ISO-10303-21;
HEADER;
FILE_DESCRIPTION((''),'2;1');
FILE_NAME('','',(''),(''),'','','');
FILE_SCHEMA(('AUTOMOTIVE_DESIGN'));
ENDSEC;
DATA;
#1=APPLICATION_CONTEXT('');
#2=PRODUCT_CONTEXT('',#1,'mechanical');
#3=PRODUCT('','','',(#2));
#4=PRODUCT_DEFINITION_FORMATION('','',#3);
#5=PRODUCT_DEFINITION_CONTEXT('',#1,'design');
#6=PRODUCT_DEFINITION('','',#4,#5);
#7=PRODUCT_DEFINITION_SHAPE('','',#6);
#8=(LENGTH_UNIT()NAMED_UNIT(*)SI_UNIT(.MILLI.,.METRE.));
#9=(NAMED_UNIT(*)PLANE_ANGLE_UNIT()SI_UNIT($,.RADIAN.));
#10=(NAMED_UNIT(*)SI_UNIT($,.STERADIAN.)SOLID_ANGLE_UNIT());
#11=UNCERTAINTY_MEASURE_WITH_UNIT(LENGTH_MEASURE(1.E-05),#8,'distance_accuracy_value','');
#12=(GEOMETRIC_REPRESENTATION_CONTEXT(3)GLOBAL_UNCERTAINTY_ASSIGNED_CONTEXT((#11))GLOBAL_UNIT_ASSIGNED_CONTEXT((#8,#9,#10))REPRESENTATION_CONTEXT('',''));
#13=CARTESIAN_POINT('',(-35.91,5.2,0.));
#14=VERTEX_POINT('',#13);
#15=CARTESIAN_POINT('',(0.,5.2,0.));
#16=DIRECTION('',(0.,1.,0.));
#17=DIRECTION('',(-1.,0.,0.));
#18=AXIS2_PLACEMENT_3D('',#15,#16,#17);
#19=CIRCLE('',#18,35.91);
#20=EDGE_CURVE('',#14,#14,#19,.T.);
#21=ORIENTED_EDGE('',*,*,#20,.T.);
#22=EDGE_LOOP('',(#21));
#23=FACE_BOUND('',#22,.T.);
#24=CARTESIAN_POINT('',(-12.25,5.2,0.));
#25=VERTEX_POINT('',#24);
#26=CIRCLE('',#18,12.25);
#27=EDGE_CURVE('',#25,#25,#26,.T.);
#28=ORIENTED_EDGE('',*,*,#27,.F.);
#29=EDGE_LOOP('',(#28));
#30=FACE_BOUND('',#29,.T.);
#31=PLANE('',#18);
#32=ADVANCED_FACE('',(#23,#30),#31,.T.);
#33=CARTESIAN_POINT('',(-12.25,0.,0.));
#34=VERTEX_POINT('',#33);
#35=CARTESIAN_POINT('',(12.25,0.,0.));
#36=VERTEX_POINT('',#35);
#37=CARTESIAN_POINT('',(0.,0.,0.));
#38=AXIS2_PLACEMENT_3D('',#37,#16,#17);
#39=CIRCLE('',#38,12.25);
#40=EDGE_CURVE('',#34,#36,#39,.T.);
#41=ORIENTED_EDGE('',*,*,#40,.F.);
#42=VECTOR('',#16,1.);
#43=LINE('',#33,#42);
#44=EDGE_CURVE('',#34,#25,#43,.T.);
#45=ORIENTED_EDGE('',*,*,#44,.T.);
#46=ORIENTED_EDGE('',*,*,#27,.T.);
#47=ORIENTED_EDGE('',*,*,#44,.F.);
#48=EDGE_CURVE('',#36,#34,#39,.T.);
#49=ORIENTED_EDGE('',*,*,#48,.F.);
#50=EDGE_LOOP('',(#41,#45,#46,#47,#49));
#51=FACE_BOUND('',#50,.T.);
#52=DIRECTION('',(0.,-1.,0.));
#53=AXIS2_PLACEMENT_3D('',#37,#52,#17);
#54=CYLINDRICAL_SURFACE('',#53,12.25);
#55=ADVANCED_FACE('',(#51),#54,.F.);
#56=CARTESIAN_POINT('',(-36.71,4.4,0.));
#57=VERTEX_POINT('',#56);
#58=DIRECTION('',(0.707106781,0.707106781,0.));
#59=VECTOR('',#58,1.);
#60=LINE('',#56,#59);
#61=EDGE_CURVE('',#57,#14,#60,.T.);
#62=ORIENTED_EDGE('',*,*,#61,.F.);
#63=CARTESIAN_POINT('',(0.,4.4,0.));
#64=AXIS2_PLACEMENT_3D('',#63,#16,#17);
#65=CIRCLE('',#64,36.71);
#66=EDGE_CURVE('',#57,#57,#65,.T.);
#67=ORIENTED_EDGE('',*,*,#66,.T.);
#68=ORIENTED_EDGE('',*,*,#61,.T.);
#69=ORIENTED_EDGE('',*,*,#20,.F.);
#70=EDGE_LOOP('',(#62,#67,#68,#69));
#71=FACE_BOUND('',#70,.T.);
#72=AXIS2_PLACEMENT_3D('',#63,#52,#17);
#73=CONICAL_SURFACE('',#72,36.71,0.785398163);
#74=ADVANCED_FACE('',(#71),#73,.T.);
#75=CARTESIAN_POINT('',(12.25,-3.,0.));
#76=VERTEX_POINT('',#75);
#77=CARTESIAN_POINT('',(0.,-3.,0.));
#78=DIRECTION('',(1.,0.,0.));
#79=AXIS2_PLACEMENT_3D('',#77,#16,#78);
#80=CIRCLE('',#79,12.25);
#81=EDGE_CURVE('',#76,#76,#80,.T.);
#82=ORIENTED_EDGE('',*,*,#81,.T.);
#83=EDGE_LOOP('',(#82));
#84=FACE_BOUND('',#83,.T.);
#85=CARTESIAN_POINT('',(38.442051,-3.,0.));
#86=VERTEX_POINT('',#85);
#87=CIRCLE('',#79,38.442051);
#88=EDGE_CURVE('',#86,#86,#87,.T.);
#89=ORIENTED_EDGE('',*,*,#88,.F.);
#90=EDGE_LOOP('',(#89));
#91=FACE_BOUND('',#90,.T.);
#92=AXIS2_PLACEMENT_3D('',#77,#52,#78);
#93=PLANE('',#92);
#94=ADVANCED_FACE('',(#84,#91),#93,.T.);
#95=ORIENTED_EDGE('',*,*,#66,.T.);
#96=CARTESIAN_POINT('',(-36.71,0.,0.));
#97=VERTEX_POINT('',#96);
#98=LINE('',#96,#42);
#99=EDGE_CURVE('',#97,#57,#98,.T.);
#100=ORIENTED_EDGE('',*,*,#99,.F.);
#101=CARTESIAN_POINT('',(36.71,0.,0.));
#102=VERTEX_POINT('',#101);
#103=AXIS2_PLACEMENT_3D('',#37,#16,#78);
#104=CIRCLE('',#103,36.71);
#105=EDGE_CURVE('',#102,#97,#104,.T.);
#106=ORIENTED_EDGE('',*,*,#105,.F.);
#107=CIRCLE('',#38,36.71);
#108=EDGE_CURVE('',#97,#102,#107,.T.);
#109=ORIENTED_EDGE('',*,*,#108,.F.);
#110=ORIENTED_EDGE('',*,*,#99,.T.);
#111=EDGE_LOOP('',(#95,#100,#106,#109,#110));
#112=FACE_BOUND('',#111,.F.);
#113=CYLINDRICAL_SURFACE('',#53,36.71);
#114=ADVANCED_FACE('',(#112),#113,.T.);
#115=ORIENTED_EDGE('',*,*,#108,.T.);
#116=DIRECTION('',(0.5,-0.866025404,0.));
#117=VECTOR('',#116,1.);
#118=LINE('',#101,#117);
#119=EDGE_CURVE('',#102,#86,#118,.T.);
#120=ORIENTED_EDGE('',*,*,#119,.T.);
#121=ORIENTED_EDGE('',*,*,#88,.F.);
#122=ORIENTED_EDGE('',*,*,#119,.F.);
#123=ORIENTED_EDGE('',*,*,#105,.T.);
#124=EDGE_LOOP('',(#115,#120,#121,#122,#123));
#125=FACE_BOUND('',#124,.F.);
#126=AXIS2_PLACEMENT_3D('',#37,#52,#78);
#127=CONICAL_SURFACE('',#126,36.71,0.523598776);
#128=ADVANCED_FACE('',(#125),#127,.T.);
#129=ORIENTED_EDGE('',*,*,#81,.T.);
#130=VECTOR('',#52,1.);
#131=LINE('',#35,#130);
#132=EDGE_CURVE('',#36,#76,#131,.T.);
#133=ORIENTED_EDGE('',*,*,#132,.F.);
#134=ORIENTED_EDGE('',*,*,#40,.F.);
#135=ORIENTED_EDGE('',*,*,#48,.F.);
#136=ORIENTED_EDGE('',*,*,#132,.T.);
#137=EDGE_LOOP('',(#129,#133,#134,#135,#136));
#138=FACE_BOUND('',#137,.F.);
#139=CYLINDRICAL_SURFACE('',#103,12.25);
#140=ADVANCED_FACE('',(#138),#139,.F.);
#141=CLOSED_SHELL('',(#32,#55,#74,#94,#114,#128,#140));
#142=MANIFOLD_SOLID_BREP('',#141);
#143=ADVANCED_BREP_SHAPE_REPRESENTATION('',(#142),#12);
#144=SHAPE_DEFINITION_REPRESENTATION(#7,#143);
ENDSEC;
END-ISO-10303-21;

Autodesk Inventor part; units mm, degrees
ref_plane "YZ Plane" through (0, 0, 0) normal (1, 0, 0) x (0, 1, 0)
ref_plane "XZ Plane" through (0, 0, 0) normal (0, 1, 0) x (-1, 0, 0)
ref_plane "XY Plane" through (0, 0, 0) normal (0, 0, 1) x (1, 0, 0)
sketch "Sketch1" plane through (0, 0, 0) normal (0, 1, 0) x (-1, 0, 0)
  circle A0 centre (0, 0) radius 36.71
  circle A1 centre (0, 0) radius 12.25
  dimension "d0" = 73.42
  dimension "d1" = 24.5
extrude "Extrusion1" add sketch "Sketch1" along normal blind 5.2
sketch "Sketch2" plane through (0, 0, 0) normal (0, -1, 0) x (1, 0, 0)
  circle A0 centre (0, 0) radius 36.71 projected
  circle A1 centre (0, 0) radius 36.71
extrude "Extrusion2" add sketch "Sketch2" along normal blind 3 draft 30
chamfer "Chamfer1" distance 0.8 angle 45 1 edges at (36.71, 5.2, 0)
sketch "Sketch3" plane through (0, 0, 0) normal (0, 1, 0) x (1, 0, 0)
  circle A0 centre (0, 0) radius 12.25
extrude "Extrusion3" cut sketch "Sketch3" against normal blind 3
properties part number "base"
